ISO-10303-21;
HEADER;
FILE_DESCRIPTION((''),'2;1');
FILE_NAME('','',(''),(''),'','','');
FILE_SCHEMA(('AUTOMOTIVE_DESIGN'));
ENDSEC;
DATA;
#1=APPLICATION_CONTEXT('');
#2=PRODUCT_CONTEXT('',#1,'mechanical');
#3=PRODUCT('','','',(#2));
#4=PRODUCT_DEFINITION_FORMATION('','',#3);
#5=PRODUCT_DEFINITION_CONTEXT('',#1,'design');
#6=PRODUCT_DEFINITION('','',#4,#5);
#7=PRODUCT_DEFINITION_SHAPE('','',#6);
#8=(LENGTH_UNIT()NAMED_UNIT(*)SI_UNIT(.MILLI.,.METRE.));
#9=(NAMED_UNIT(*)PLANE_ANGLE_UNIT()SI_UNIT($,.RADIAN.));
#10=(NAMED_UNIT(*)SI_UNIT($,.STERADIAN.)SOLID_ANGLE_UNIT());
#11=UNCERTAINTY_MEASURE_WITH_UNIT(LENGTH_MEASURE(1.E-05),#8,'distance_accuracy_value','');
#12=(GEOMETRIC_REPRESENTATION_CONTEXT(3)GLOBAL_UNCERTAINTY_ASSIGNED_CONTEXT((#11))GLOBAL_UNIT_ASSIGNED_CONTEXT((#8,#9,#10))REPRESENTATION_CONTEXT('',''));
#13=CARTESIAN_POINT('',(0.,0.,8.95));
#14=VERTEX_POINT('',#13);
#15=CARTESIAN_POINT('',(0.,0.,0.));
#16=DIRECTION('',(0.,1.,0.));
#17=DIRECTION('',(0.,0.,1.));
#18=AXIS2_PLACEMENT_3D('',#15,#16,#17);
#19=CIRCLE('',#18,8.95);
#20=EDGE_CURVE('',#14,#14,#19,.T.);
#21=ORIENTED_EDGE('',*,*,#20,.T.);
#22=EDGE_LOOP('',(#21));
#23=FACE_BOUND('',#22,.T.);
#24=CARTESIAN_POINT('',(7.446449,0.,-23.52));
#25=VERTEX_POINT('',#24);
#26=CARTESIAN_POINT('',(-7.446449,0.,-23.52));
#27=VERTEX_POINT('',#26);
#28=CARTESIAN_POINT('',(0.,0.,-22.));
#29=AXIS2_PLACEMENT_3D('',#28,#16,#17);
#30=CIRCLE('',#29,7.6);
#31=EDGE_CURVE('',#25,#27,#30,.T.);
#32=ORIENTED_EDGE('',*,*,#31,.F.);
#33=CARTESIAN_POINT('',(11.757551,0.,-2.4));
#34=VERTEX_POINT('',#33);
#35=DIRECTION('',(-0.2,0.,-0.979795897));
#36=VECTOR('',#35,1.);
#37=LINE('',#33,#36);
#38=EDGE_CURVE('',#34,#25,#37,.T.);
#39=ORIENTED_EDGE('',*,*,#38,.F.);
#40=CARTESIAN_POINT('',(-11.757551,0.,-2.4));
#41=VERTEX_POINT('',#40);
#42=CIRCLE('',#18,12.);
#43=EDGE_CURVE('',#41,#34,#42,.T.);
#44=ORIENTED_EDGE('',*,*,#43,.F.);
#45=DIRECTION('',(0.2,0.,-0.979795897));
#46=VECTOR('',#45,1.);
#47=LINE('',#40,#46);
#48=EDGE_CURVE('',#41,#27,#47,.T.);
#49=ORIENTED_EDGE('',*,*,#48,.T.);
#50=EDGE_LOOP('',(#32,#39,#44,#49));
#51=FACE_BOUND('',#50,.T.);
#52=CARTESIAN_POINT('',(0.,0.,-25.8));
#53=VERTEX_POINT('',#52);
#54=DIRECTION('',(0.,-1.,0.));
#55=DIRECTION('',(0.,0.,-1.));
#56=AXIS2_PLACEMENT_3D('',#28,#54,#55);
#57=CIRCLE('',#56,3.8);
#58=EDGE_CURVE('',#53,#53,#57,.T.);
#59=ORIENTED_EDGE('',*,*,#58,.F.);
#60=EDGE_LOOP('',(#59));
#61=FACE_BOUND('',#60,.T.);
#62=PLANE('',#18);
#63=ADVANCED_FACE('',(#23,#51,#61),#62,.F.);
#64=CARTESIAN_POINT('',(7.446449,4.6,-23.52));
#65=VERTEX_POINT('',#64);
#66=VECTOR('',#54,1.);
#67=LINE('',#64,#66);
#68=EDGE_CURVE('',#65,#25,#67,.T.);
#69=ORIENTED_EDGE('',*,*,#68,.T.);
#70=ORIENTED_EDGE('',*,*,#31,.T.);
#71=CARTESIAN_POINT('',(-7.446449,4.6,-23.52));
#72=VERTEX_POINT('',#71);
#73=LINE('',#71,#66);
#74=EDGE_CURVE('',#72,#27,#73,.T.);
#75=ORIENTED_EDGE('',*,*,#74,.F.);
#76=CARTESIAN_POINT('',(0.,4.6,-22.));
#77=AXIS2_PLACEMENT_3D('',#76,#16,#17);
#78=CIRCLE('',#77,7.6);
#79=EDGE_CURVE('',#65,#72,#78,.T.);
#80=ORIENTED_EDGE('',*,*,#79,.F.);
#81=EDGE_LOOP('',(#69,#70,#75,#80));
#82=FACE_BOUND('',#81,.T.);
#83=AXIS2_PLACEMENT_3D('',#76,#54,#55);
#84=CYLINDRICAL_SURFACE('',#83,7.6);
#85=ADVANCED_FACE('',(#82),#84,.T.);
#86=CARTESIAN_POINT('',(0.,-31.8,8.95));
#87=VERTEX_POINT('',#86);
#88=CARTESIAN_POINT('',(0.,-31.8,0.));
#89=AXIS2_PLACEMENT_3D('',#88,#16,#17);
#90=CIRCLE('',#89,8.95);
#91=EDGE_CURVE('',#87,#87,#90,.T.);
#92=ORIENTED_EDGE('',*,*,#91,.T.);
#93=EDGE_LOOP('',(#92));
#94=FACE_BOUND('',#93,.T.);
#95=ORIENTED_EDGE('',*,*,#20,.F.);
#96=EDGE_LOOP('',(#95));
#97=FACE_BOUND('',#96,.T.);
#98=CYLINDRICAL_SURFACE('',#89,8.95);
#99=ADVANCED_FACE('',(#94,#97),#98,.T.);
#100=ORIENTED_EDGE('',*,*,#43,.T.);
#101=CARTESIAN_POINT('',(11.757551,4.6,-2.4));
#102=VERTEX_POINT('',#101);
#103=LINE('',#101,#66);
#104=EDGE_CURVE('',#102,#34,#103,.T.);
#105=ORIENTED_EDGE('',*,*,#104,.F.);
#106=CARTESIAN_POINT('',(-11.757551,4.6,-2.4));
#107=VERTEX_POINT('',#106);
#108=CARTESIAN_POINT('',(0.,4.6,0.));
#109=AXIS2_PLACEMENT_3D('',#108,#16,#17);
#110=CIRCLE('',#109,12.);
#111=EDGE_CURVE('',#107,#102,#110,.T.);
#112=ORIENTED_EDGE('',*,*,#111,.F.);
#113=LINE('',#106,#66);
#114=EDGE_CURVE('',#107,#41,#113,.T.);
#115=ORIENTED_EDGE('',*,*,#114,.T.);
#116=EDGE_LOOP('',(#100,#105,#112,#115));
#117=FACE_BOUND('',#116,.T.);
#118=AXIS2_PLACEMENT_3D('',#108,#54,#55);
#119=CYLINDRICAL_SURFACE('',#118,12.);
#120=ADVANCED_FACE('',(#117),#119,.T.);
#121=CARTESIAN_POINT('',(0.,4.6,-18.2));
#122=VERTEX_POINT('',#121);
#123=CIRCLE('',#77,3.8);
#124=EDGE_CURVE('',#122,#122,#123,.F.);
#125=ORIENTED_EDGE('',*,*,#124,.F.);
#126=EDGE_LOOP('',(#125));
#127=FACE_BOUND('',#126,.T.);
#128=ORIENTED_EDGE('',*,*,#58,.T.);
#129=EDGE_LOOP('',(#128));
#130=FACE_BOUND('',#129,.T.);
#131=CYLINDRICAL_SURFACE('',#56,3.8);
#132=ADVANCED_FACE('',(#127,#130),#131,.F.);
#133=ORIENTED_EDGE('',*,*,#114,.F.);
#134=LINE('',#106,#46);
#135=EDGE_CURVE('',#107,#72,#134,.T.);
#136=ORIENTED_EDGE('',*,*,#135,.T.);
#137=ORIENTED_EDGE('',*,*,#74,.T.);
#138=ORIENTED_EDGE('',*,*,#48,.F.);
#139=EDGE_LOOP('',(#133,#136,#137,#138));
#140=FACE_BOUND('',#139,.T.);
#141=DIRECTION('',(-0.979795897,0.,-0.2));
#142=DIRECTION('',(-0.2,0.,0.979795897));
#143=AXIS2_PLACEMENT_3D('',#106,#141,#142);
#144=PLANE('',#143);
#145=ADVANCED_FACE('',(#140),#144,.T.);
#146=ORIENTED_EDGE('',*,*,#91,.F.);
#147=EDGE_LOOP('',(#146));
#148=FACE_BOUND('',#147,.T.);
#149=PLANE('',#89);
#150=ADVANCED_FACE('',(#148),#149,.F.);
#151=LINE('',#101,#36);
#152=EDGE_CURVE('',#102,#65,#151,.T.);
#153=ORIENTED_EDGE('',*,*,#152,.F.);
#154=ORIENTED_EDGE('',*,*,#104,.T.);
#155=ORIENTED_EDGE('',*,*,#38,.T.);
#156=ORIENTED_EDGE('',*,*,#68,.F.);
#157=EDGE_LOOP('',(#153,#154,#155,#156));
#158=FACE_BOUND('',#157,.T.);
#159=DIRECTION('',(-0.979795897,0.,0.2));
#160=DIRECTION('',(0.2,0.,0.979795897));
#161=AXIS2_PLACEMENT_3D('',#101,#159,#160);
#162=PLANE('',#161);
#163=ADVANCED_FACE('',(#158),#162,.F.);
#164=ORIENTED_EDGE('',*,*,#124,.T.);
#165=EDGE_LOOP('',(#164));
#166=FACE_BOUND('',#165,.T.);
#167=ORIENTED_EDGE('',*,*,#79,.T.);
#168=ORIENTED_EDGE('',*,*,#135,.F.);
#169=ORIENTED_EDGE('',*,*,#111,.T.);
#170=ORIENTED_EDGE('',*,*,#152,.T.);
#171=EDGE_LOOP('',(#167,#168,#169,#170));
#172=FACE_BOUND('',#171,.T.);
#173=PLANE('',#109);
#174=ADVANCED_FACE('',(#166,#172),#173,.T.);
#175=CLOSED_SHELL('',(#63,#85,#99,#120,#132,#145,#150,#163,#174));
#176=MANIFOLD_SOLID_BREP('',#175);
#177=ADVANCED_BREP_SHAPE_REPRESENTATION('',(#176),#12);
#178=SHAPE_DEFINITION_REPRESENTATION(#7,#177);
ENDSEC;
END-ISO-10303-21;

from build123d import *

# Parameters (mm, degrees)
BASE_DEPTH               = 4.6
SKETCH4_R                = 8.95
SENSOR_DEPTH             = 31.8
BOLT_HOLE_M7_CLEARANCE_D = 7.6


with BuildPart() as part:
    # Sketch1 → Base (new body)
    with BuildSketch(Plane(origin=(0, 0, 0), x_dir=(1, 0, 0), z_dir=(0, 1, 0))):
        with BuildLine():
            Line((-11.757550765, 2.4), (-7.446448818, 23.52))
            ThreePointArc((-7.446448818, 23.52), (0, 29.6), (7.446448818, 23.52))
            Line((7.446448818, 23.52), (11.757550765, 2.4))
            ThreePointArc((11.757550765, 2.4), (0, -12), (-11.757550765, 2.4))
        make_face()
    extrude(amount=BASE_DEPTH)

    # Sketch4 → Sensor (add)
    with BuildSketch(Plane(origin=(0, 0, 0), x_dir=(1, 0, 0), z_dir=(0, 1, 0))):
        Circle(SKETCH4_R)
    extrude(amount=-SENSOR_DEPTH)

    # Bolt Hole (M7 Clearance) (through all)
    with Locations(Plane(origin=(0, 0, 0), x_dir=(-1, 0, 0), z_dir=(0, -1, 0))):
        with Locations((0, 22)):
            Hole(BOLT_HOLE_M7_CLEARANCE_D / 2)


solid = part.part
